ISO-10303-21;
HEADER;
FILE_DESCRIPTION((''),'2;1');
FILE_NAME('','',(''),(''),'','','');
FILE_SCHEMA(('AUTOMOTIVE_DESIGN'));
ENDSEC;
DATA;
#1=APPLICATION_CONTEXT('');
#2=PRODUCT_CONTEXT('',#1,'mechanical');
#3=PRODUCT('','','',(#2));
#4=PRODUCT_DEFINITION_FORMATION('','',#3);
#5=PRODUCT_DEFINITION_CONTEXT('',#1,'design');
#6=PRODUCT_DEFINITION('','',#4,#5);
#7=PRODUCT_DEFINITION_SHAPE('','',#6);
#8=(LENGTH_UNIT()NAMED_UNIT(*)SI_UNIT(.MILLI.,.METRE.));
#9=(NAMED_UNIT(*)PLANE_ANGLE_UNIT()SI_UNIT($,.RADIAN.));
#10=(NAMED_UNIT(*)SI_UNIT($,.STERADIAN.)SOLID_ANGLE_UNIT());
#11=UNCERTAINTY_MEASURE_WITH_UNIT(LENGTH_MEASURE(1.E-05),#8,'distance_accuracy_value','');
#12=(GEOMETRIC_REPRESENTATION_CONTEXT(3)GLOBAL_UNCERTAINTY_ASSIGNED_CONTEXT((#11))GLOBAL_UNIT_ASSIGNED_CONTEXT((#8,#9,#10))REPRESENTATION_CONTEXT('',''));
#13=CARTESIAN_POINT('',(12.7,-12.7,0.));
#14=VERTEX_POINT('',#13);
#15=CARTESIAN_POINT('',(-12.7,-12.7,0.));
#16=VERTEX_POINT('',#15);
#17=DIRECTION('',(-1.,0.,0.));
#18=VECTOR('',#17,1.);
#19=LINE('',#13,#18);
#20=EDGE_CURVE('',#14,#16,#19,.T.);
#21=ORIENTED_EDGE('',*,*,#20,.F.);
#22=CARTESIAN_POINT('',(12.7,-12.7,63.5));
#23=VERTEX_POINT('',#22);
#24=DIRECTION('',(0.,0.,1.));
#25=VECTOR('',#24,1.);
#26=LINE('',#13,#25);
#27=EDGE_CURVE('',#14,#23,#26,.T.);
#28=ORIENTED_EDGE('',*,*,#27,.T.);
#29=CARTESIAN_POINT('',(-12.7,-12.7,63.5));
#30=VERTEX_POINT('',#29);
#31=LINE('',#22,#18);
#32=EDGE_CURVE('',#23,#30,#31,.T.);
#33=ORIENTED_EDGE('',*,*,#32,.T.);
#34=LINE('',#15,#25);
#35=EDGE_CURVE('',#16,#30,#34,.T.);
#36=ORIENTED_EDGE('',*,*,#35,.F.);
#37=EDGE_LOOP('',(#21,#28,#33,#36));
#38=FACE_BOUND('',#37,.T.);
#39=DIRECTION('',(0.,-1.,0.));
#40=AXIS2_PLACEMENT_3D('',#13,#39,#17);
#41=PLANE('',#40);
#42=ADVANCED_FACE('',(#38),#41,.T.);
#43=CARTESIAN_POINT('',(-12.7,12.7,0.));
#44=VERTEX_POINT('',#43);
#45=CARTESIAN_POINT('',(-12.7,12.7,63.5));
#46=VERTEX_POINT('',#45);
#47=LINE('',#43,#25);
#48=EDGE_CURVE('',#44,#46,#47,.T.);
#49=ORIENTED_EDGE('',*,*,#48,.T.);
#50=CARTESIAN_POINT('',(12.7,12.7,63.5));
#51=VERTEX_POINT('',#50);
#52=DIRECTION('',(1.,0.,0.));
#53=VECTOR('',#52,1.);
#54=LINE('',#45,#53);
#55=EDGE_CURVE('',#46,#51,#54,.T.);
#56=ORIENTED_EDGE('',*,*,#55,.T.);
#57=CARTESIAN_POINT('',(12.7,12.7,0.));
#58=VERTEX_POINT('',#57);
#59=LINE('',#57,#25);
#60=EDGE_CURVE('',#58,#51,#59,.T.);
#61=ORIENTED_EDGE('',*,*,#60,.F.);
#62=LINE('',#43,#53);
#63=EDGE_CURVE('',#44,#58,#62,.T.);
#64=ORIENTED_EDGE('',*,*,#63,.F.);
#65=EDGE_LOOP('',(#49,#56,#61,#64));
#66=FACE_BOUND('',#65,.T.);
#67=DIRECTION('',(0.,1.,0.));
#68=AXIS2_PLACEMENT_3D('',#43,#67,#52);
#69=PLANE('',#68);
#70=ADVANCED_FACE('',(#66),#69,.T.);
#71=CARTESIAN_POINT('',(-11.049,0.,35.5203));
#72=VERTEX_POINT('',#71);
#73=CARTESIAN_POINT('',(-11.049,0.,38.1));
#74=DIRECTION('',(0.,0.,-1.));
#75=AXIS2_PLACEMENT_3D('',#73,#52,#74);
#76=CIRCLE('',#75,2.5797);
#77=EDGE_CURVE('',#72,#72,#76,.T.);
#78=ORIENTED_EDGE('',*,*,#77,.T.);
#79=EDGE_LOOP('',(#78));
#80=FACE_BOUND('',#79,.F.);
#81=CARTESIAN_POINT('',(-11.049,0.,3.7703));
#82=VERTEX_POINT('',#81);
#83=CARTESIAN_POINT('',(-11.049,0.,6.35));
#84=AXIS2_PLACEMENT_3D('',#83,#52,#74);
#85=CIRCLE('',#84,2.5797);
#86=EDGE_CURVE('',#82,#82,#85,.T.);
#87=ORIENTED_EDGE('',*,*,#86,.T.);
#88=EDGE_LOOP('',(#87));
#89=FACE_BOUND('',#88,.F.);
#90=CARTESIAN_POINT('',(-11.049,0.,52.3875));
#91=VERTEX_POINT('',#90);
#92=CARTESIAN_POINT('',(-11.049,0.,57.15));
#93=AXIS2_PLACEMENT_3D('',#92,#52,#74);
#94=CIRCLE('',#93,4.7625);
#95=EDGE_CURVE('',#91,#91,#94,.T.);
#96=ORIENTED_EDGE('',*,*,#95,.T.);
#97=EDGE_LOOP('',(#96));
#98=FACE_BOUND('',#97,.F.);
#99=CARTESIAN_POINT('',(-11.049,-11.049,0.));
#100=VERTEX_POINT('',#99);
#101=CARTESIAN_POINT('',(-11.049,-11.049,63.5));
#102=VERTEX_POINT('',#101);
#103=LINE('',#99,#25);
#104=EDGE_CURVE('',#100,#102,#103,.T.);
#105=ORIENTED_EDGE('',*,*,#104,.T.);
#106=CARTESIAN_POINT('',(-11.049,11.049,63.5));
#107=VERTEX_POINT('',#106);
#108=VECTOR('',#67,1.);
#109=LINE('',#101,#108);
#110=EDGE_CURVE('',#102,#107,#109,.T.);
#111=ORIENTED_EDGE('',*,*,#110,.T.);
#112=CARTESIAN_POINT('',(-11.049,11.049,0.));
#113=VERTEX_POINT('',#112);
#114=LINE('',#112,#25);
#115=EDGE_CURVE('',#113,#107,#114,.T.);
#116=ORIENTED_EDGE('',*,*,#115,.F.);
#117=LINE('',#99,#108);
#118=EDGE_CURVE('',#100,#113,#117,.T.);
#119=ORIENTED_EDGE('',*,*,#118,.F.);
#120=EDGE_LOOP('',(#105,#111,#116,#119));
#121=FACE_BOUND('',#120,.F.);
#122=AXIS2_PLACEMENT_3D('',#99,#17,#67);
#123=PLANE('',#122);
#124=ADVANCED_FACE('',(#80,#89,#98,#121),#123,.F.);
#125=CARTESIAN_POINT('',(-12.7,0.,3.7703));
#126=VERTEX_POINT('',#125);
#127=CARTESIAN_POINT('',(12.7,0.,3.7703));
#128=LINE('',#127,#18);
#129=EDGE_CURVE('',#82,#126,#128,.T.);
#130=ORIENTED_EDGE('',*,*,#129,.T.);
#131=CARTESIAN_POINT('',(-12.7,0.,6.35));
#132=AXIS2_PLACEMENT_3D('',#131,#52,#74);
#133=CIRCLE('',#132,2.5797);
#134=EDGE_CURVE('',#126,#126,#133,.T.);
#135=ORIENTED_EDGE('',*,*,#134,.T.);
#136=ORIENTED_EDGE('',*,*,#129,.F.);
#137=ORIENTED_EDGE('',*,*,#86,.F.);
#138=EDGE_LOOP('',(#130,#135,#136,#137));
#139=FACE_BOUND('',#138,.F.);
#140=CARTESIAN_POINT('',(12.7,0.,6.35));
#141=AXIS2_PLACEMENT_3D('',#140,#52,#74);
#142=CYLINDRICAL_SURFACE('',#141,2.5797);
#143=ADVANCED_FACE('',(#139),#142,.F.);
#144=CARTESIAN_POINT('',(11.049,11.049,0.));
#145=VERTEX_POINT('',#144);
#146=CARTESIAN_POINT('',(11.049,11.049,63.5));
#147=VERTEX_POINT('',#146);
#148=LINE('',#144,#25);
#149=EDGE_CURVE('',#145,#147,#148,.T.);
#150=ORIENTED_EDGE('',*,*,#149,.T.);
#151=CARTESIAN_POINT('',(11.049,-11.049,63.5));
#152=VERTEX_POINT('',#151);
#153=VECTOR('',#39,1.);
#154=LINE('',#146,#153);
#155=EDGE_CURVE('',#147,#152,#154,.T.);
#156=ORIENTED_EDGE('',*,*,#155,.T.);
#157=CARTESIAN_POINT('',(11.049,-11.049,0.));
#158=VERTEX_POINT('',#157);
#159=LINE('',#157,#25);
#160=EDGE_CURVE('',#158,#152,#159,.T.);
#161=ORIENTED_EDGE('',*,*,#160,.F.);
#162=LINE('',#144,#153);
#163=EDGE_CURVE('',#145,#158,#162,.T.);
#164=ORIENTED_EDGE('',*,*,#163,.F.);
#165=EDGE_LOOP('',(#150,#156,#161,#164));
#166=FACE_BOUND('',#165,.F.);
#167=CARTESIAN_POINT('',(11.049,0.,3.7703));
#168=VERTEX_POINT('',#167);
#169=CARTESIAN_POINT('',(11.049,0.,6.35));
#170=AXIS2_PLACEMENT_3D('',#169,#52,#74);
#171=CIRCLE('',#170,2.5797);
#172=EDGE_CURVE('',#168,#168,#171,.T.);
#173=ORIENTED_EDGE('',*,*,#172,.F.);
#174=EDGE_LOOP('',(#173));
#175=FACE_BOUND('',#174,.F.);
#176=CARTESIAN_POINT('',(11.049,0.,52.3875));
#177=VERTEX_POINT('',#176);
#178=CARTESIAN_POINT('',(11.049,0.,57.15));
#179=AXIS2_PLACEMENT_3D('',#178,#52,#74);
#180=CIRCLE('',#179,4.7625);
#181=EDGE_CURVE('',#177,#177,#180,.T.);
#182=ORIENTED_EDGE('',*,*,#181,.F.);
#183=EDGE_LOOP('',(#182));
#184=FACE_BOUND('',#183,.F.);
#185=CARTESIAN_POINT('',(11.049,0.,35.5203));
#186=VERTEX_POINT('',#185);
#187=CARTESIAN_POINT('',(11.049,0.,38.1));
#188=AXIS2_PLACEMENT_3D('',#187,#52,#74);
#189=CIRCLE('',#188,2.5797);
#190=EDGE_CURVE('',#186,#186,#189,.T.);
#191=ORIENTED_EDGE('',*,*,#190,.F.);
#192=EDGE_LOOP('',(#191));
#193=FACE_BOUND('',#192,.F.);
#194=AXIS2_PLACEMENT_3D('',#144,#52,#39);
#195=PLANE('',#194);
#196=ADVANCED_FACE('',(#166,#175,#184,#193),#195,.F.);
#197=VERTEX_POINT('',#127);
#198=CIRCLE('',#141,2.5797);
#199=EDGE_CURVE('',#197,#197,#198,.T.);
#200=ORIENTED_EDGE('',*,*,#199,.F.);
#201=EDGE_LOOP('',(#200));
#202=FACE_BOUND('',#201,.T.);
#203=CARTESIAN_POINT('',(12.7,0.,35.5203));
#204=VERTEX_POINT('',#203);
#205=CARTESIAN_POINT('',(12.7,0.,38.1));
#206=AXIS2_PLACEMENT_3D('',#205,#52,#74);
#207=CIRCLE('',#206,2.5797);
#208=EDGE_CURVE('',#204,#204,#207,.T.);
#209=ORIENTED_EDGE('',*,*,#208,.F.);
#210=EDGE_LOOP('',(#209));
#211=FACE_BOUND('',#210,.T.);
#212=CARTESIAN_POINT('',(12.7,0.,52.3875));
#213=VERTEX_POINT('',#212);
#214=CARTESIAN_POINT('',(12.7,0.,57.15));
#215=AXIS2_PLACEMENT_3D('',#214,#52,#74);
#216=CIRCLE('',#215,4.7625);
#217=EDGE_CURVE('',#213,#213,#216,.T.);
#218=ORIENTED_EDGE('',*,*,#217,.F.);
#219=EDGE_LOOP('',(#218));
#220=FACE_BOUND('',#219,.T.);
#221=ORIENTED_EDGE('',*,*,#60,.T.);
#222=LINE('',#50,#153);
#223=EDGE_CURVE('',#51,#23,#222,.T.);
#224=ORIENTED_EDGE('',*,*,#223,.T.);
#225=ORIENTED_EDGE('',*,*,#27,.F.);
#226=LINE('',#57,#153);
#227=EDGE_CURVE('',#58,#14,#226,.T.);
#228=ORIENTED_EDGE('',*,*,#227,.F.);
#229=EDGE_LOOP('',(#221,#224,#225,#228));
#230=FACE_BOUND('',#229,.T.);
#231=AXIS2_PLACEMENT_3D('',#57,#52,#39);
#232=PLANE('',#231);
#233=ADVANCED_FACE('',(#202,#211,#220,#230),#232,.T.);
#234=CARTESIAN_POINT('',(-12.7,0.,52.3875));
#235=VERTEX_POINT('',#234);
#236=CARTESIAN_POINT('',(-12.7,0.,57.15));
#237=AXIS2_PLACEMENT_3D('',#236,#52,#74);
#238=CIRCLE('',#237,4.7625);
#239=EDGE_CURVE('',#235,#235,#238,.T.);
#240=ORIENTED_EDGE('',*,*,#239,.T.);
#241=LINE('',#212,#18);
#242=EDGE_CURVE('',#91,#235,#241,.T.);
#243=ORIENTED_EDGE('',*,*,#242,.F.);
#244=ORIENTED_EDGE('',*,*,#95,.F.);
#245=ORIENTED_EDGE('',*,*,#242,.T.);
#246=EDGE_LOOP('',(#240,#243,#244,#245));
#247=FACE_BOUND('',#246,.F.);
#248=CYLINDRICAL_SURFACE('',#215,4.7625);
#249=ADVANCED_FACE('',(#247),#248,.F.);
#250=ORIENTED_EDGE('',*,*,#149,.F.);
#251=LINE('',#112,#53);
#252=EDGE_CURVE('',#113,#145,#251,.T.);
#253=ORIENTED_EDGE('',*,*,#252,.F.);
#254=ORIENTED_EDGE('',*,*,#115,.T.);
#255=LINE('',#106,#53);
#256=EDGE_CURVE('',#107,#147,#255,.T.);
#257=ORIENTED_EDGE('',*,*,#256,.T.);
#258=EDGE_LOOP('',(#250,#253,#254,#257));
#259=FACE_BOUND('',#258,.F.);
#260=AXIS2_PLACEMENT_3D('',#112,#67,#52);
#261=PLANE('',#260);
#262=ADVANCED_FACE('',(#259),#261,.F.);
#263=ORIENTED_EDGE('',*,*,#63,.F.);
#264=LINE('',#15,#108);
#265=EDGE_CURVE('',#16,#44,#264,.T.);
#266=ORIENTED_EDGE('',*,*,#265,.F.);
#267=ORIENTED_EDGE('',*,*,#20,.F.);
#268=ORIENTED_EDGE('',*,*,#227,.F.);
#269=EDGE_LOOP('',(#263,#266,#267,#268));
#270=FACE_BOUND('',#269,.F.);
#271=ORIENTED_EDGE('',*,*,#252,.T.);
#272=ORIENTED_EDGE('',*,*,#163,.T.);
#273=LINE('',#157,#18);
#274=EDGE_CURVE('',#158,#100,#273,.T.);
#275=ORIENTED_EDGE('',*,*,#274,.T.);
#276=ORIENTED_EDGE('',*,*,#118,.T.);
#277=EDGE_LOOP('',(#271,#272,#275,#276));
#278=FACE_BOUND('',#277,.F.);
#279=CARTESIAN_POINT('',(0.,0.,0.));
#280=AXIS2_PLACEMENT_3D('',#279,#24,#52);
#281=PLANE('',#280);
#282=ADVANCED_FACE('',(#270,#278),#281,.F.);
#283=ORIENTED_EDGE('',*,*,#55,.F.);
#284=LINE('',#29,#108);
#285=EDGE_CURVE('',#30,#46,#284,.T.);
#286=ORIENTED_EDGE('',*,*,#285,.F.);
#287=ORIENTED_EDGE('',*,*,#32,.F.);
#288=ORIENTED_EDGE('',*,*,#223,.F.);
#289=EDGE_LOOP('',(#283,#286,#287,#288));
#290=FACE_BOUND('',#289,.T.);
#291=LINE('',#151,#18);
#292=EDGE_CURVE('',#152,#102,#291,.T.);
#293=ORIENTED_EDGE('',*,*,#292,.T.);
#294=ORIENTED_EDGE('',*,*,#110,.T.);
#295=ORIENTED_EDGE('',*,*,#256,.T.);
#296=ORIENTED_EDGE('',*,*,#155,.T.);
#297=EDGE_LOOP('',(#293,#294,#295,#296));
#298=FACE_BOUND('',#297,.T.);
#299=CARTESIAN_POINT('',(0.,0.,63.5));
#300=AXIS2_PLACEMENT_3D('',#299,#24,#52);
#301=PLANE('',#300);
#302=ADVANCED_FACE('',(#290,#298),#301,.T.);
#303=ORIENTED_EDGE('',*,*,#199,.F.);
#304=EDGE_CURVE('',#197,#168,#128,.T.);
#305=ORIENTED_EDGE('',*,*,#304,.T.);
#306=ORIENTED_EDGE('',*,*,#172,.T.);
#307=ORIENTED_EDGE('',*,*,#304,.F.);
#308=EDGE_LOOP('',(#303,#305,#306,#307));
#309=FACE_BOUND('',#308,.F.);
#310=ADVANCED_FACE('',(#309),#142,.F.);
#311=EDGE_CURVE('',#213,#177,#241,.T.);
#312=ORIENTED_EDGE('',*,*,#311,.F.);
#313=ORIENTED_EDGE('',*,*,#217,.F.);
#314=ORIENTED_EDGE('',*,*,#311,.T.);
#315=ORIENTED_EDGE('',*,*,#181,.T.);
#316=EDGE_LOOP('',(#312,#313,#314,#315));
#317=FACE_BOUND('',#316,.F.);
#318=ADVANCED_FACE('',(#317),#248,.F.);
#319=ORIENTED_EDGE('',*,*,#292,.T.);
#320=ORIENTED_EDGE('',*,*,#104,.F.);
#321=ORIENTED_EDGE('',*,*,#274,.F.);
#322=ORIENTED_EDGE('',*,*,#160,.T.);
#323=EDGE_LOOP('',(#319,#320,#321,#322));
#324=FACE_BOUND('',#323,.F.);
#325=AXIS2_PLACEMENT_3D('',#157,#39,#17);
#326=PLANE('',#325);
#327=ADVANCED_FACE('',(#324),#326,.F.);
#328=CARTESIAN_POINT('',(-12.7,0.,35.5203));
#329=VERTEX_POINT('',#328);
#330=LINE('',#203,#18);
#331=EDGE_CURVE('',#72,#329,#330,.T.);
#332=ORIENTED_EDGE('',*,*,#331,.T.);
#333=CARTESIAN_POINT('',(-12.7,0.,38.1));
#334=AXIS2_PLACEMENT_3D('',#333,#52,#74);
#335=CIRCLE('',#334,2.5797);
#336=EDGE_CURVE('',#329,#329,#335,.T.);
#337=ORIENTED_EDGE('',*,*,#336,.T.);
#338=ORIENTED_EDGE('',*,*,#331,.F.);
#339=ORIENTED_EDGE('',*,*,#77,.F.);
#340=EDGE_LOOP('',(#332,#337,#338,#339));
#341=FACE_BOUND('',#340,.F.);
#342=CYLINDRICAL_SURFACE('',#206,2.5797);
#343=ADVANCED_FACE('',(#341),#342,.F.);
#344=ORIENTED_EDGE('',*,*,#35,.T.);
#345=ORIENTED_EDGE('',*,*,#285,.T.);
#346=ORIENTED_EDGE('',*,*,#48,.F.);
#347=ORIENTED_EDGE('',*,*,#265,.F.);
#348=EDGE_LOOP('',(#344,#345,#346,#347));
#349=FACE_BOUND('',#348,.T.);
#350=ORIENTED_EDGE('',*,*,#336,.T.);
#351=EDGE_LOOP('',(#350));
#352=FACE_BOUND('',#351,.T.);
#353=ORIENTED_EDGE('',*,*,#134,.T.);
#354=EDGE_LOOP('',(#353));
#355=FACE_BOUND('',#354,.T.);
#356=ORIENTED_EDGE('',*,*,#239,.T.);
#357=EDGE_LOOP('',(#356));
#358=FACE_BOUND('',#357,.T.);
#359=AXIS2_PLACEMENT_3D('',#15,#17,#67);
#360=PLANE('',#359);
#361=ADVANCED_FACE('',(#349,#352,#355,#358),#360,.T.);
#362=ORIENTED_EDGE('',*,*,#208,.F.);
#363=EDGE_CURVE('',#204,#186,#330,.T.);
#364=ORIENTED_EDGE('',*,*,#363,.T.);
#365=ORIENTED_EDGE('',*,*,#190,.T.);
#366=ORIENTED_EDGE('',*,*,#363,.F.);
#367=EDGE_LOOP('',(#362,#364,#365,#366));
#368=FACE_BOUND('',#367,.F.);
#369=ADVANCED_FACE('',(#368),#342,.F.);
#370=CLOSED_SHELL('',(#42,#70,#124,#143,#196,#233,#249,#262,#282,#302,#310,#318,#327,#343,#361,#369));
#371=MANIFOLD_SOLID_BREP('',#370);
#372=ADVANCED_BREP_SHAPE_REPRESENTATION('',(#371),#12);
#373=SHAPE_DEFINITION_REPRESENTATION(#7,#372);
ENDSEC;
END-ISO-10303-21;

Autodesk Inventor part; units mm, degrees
ref_plane "YZ Plane" through (0, 0, 0) normal (1, 0, 0) x (0, 1, 0)
ref_plane "XZ Plane" through (0, 0, 0) normal (0, 1, 0) x (-1, 0, 0)
ref_plane "XY Plane" through (0, 0, 0) normal (0, 0, 1) x (1, 0, 0)
sketch "Sketch1" plane through (0, 0, 0) normal (0, 0, 1) x (1, 0, 0)
  line L0 (12.7, -12.7) -> (-12.7, -12.7)
  line L1 (-12.7, -12.7) -> (-12.7, 12.7)
  line L2 (-12.7, 12.7) -> (12.7, 12.7)
  line L3 (12.7, 12.7) -> (12.7, -12.7)
  line L4 (12.7, -12.7) -> (-12.7, 12.7) construction
  line L5 (-12.7, -12.7) -> (12.7, 12.7) construction
  line L6 (11.049, -11.049) -> (-11.049, -11.049)
  line L7 (-11.049, -11.049) -> (-11.049, 11.049)
  line L8 (-11.049, 11.049) -> (11.049, 11.049)
  line L9 (11.049, 11.049) -> (11.049, -11.049)
  line L10 (11.049, -11.049) -> (-11.049, 11.049) construction
  line L11 (-11.049, -11.049) -> (11.049, 11.049) construction
  point P0 (0, 0)
  dimension "d0" = 25.4
  dimension "d1" = 25.4
  dimension "d2" = 1.651
extrude "Extrusion1" add sketch "Sketch1" along normal blind 63.5
sketch "Sketch2" plane through (12.7, -12.7, 0) normal (1, 0, 0) x (0, 0, -1)
  circle A0 centre (-57.15, 12.7) radius 4.7625
  line L0 (-63.5, 0) -> (-63.5, 25.4) projected
  circle A1 centre (-6.35, 12.7) radius 2.5797
  circle A2 centre (-38.1, 12.7) radius 2.5797
  line L1 (0, 25.4) -> (0, 0) projected
  line L2 (0, 0) -> (-63.5, 0) projected
  point P0 (0, 12.7)
  dimension "d5" = 9.525
  dimension "d6" = 6.35
  dimension "d7" = 5.1594
  dimension "d8" = 5.1594
  dimension "d9" = 19.05
  dimension "d10" = 6.35
  dimension "d11" = 12.7
  dimension "d12" = 12.7
  dimension "d13" = 12.7
extrude "Extrusion2" cut sketch "Sketch2" against normal blind 50.8
equation "\"d8\" = d7"
equation "\"d12\" = d11"
equation "\"d13\" = d11"
properties part number "Front support bearing and stopper"
